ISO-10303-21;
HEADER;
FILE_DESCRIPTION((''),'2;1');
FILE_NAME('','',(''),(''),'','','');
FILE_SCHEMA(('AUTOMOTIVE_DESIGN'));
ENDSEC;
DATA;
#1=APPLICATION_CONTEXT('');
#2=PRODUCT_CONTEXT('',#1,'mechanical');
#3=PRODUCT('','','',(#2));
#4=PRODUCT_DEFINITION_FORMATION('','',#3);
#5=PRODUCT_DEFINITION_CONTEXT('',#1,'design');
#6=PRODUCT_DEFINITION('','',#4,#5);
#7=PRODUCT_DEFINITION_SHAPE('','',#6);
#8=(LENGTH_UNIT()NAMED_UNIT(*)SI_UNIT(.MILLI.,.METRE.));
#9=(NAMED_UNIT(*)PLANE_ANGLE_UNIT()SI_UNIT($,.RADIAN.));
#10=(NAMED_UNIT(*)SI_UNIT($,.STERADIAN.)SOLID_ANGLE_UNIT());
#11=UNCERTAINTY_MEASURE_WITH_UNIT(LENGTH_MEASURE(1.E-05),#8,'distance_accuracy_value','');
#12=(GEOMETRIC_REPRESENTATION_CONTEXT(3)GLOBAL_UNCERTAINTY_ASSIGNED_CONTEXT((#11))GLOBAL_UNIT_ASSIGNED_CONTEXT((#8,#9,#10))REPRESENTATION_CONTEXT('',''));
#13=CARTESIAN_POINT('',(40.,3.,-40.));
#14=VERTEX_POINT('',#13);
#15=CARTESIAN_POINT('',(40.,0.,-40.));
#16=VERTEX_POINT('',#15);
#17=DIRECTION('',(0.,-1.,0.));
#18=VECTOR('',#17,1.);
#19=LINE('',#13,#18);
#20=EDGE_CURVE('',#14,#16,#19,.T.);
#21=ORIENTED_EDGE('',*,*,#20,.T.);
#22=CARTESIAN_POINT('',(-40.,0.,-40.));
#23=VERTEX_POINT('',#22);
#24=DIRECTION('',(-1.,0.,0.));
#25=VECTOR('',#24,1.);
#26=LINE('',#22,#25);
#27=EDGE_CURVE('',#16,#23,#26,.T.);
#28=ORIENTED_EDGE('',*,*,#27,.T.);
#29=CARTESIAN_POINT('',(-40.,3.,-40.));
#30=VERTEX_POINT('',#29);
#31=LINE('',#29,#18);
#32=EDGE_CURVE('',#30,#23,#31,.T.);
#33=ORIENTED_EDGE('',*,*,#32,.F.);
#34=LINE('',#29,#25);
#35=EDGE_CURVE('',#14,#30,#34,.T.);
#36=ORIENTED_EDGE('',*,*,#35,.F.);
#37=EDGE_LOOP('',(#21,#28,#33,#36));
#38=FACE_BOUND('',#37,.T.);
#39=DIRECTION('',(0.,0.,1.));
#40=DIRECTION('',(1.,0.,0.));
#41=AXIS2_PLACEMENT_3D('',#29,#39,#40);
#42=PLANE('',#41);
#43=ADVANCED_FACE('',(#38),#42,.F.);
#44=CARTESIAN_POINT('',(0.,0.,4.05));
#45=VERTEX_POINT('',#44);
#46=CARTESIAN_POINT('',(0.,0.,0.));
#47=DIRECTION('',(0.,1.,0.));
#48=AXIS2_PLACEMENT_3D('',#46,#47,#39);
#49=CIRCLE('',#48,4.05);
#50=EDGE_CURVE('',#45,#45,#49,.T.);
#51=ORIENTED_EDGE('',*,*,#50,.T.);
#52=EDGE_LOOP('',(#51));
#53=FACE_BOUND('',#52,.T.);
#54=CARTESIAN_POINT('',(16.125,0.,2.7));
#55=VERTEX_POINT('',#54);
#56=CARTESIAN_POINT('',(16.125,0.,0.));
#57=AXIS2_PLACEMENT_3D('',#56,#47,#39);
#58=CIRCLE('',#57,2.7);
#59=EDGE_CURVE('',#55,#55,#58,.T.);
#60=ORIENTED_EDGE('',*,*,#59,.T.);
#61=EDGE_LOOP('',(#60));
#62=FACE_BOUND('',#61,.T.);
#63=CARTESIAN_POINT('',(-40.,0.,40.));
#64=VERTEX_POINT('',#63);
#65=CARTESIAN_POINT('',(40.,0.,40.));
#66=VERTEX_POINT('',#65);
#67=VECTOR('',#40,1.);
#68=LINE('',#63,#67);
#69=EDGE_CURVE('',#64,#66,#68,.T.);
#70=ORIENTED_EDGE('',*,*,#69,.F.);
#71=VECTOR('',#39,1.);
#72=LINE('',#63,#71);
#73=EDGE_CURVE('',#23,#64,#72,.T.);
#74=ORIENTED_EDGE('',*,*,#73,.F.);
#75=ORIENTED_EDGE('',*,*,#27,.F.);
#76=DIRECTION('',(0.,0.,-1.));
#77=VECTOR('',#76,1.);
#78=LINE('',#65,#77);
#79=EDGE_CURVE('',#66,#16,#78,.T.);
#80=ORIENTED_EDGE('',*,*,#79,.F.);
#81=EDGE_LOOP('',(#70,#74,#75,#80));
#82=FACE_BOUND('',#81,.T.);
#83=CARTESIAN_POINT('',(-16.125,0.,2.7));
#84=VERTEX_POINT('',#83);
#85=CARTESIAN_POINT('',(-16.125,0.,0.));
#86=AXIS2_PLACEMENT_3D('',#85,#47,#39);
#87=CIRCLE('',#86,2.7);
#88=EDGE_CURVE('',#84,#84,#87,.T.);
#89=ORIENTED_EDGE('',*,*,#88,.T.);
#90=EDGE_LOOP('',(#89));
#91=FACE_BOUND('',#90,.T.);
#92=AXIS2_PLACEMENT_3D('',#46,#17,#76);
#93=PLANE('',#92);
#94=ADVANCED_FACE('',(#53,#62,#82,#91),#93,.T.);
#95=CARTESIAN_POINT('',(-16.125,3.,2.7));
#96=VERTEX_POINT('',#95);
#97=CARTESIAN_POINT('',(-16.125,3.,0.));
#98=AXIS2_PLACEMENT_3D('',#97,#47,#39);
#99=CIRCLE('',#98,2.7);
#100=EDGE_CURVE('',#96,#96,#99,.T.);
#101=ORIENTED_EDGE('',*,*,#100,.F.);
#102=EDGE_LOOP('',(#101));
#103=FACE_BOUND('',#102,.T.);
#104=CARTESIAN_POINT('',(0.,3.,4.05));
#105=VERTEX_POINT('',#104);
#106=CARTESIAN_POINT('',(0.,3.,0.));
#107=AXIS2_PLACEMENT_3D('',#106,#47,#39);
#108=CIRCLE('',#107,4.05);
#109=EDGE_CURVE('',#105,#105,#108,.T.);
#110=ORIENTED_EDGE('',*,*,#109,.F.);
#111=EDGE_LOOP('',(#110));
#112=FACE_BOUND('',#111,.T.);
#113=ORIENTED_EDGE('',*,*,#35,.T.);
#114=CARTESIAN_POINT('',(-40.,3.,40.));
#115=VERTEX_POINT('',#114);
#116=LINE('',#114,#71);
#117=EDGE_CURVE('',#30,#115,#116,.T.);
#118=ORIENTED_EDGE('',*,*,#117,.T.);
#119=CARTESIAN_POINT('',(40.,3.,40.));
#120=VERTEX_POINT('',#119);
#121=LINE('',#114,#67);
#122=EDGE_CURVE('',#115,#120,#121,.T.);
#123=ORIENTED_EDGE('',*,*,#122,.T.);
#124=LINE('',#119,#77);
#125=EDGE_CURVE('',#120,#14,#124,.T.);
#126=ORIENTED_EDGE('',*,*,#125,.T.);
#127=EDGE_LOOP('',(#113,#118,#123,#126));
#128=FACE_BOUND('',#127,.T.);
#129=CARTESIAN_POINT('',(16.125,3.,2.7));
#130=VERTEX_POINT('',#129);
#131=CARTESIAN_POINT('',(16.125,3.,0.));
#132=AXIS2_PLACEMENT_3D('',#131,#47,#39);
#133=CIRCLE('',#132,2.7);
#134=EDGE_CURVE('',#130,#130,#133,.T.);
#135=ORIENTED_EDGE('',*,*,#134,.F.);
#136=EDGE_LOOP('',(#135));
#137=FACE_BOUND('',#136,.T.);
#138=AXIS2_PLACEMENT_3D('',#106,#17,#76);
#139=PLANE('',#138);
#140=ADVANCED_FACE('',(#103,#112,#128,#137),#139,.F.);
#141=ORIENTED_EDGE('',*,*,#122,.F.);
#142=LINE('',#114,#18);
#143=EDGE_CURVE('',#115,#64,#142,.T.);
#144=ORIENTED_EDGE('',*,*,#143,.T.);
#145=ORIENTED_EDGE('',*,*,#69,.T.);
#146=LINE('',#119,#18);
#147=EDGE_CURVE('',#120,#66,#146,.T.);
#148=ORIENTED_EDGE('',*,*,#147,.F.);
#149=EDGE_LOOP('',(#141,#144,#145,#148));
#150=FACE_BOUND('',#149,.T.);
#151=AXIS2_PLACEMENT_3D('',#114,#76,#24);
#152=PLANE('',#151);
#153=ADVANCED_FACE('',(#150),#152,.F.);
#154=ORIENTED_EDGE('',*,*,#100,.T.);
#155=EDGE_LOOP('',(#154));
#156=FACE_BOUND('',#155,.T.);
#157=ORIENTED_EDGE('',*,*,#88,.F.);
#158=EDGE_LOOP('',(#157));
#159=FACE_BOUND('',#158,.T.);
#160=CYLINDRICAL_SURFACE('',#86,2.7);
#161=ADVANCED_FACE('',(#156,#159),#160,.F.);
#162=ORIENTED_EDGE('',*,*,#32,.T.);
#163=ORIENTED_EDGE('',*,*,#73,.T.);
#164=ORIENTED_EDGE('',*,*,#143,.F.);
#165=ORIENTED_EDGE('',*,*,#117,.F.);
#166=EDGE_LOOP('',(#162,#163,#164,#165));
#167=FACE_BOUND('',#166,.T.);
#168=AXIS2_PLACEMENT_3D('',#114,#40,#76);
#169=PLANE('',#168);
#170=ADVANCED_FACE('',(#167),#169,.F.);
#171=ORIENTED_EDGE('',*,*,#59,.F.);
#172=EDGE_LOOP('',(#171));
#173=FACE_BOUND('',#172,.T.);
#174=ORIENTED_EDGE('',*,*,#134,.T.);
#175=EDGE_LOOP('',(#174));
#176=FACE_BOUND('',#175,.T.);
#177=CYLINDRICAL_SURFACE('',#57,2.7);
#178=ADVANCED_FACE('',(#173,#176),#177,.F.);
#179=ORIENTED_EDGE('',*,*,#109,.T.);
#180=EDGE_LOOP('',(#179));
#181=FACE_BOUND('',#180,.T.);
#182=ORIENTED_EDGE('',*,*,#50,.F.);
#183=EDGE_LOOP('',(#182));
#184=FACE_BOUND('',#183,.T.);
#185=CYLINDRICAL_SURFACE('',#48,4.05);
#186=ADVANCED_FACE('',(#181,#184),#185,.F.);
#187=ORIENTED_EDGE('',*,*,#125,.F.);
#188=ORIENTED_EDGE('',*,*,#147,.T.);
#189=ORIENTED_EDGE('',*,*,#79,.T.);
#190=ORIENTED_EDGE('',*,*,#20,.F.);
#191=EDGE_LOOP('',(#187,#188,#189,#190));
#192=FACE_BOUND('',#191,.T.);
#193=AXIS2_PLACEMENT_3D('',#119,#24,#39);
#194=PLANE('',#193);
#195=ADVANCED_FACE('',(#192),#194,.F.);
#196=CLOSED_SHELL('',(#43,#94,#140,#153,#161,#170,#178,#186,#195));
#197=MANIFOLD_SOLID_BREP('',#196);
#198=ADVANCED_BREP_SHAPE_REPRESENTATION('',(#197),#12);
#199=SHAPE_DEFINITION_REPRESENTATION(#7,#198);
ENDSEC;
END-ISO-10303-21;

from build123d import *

# Parameters (mm, degrees)
SKETCH_1_W          = 80
SKETCH_1_H          = 80
EXTRUDE_1_DEPTH     = 3
SKETCH_2_R          = 4.05
CUT_EXTRUDE_1_DEPTH = 3
SKETCH_3_R          = 2.7
CUT_EXTRUDE_2_DEPTH = 3


with BuildPart() as part:
    # 草图1 → 凸台-拉伸1 (new body)
    with BuildSketch(Plane(origin=(0, 0, 0), x_dir=(1, 0, 0), z_dir=(0, 1, 0))):
        Rectangle(SKETCH_1_W, SKETCH_1_H)
    extrude(amount=EXTRUDE_1_DEPTH)

    # 草图2 → 切除-拉伸1 (cut)
    with BuildSketch(Plane(origin=(0, 3, 0), x_dir=(1, 0, 0), z_dir=(0, 1, 0))):
        with Locations(Location((0, 0, 0), (0, 0, 270))):
            Circle(SKETCH_2_R)
    extrude(amount=-CUT_EXTRUDE_1_DEPTH, mode=Mode.SUBTRACT)

    # 草图3 → 切除-拉伸2 (cut)
    with BuildSketch(Plane(origin=(0, 3, 0), x_dir=(1, 0, 0), z_dir=(0, 1, 0))):
        with Locations(Location((16.125, 0, 0), (0, 0, 270))):
            Circle(SKETCH_3_R)
        with Locations(Location((-16.125, 0, 0), (0, 0, 270))):
            Circle(SKETCH_3_R)
    extrude(amount=-CUT_EXTRUDE_2_DEPTH, mode=Mode.SUBTRACT)


solid = part.part
